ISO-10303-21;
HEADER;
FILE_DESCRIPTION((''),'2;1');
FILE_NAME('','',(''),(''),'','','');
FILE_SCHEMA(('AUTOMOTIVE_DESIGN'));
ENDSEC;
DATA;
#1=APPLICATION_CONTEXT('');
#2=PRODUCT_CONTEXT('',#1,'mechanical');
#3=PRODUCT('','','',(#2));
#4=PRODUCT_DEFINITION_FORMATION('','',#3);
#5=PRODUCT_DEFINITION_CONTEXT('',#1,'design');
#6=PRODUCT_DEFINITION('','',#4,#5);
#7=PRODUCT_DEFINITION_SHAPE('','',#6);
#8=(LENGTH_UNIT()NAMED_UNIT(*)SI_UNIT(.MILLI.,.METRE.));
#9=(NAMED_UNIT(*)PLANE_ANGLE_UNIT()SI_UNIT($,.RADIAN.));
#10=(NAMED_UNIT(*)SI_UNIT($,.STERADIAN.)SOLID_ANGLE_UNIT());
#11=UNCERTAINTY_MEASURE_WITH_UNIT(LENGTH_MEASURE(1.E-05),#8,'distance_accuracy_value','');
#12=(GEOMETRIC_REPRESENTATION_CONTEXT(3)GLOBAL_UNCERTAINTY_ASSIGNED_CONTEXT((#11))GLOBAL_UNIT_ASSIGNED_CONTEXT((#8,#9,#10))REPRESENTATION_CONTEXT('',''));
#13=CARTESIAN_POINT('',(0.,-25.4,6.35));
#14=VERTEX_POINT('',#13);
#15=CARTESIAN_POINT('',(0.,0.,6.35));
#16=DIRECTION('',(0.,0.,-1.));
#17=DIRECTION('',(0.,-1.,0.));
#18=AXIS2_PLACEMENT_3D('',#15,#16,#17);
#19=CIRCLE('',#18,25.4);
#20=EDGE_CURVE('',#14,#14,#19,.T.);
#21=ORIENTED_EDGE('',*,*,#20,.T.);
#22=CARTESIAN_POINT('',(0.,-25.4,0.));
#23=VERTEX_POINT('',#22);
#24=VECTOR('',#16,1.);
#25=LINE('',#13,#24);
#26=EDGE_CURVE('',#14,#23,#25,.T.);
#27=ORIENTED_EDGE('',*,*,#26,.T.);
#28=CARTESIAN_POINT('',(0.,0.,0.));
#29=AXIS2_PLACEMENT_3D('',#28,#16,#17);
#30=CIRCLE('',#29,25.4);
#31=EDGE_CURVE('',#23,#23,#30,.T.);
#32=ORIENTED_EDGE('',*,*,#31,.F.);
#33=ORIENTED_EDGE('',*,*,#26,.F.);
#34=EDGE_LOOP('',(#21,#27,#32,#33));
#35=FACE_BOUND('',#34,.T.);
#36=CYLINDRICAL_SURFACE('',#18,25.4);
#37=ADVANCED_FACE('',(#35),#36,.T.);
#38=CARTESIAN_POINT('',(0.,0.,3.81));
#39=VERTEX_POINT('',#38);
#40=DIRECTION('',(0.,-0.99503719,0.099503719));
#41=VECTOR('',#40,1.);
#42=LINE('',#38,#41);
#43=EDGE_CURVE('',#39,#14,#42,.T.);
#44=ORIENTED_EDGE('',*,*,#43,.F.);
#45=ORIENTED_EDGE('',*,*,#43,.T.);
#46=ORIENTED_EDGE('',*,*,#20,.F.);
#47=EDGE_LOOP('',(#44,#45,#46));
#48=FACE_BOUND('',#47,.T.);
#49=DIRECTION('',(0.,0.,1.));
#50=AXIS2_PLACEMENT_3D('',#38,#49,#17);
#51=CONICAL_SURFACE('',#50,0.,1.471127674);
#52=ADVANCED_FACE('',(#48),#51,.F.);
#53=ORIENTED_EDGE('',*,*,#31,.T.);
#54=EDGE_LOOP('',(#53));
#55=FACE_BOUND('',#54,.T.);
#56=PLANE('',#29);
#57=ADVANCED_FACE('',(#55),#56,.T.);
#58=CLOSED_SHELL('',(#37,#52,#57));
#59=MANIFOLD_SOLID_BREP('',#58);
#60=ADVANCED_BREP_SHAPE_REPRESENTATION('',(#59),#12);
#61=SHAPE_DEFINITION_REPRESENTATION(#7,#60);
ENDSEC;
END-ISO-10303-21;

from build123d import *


with BuildPart() as f1:
    # F0 (on Right) → F1 (revolve)
    with BuildSketch(Plane.YZ):
        Polygon((-25.4, 0), (0, 0), (0, 3.81), (-25.4, 6.35), align=None)
    revolve(axis=Axis((0, 0, 1.905), (0, 0, -1)))


solid = f1.part
